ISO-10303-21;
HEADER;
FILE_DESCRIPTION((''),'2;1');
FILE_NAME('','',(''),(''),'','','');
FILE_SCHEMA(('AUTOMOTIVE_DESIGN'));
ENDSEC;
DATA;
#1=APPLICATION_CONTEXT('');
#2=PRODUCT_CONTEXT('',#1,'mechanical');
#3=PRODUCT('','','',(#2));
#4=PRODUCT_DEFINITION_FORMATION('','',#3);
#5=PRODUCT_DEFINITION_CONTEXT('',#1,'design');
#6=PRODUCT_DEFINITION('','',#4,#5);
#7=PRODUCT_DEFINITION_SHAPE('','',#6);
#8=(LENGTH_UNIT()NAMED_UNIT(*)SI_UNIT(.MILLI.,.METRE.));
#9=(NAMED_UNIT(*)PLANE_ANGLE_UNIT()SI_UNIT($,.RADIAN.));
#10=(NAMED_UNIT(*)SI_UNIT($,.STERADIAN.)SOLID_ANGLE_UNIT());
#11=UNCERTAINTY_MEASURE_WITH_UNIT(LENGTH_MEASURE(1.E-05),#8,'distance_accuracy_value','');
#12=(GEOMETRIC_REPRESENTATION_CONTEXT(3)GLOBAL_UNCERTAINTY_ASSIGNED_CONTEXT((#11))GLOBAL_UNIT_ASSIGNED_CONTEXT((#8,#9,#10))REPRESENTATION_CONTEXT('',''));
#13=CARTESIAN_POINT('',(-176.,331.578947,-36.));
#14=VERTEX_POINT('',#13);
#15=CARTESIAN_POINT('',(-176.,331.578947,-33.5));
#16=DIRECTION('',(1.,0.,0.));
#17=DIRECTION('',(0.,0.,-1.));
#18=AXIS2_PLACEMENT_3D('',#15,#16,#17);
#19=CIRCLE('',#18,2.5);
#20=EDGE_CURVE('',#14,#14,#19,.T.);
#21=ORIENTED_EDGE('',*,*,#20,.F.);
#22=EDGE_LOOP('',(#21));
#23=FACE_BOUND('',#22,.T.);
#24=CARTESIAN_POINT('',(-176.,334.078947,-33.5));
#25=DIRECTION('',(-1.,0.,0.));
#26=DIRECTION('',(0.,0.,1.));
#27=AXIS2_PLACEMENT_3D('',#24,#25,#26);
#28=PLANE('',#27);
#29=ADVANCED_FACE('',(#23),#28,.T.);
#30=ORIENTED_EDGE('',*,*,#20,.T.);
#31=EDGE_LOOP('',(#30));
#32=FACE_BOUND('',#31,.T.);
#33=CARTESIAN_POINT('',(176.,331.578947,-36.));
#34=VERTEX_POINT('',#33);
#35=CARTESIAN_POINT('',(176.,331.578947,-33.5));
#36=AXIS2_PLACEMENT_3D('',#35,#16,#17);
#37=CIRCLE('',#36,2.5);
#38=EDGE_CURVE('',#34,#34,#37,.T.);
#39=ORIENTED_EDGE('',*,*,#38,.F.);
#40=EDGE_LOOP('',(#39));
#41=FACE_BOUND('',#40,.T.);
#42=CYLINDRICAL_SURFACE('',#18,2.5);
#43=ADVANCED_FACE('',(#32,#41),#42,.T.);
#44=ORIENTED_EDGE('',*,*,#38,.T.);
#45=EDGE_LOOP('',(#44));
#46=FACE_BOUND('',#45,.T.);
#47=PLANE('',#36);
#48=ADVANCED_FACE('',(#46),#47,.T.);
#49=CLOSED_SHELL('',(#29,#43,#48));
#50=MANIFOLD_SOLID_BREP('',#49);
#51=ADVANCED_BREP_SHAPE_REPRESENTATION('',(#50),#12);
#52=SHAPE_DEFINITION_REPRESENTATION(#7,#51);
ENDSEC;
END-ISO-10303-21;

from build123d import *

# Parameters (mm, degrees)
SKETCH_1_W = 352
SKETCH_1_H = 2.5


with BuildPart() as part:
    # 草图1 → 旋转1 (revolve)
    with BuildSketch(Plane.XY.offset(-33.499999999), mode=Mode.PRIVATE) as revolve_1_sk:
        with Locations((0, 332.828947368)):
            Rectangle(SKETCH_1_W, SKETCH_1_H)
    revolve(revolve_1_sk.sketch.rotate(Axis((-176, 331.578947368, -33.499999999), (1, 0, 0)), 270), axis=Axis((-176, 331.578947368, -33.499999999), (1, 0, 0)))


solid = part.part
